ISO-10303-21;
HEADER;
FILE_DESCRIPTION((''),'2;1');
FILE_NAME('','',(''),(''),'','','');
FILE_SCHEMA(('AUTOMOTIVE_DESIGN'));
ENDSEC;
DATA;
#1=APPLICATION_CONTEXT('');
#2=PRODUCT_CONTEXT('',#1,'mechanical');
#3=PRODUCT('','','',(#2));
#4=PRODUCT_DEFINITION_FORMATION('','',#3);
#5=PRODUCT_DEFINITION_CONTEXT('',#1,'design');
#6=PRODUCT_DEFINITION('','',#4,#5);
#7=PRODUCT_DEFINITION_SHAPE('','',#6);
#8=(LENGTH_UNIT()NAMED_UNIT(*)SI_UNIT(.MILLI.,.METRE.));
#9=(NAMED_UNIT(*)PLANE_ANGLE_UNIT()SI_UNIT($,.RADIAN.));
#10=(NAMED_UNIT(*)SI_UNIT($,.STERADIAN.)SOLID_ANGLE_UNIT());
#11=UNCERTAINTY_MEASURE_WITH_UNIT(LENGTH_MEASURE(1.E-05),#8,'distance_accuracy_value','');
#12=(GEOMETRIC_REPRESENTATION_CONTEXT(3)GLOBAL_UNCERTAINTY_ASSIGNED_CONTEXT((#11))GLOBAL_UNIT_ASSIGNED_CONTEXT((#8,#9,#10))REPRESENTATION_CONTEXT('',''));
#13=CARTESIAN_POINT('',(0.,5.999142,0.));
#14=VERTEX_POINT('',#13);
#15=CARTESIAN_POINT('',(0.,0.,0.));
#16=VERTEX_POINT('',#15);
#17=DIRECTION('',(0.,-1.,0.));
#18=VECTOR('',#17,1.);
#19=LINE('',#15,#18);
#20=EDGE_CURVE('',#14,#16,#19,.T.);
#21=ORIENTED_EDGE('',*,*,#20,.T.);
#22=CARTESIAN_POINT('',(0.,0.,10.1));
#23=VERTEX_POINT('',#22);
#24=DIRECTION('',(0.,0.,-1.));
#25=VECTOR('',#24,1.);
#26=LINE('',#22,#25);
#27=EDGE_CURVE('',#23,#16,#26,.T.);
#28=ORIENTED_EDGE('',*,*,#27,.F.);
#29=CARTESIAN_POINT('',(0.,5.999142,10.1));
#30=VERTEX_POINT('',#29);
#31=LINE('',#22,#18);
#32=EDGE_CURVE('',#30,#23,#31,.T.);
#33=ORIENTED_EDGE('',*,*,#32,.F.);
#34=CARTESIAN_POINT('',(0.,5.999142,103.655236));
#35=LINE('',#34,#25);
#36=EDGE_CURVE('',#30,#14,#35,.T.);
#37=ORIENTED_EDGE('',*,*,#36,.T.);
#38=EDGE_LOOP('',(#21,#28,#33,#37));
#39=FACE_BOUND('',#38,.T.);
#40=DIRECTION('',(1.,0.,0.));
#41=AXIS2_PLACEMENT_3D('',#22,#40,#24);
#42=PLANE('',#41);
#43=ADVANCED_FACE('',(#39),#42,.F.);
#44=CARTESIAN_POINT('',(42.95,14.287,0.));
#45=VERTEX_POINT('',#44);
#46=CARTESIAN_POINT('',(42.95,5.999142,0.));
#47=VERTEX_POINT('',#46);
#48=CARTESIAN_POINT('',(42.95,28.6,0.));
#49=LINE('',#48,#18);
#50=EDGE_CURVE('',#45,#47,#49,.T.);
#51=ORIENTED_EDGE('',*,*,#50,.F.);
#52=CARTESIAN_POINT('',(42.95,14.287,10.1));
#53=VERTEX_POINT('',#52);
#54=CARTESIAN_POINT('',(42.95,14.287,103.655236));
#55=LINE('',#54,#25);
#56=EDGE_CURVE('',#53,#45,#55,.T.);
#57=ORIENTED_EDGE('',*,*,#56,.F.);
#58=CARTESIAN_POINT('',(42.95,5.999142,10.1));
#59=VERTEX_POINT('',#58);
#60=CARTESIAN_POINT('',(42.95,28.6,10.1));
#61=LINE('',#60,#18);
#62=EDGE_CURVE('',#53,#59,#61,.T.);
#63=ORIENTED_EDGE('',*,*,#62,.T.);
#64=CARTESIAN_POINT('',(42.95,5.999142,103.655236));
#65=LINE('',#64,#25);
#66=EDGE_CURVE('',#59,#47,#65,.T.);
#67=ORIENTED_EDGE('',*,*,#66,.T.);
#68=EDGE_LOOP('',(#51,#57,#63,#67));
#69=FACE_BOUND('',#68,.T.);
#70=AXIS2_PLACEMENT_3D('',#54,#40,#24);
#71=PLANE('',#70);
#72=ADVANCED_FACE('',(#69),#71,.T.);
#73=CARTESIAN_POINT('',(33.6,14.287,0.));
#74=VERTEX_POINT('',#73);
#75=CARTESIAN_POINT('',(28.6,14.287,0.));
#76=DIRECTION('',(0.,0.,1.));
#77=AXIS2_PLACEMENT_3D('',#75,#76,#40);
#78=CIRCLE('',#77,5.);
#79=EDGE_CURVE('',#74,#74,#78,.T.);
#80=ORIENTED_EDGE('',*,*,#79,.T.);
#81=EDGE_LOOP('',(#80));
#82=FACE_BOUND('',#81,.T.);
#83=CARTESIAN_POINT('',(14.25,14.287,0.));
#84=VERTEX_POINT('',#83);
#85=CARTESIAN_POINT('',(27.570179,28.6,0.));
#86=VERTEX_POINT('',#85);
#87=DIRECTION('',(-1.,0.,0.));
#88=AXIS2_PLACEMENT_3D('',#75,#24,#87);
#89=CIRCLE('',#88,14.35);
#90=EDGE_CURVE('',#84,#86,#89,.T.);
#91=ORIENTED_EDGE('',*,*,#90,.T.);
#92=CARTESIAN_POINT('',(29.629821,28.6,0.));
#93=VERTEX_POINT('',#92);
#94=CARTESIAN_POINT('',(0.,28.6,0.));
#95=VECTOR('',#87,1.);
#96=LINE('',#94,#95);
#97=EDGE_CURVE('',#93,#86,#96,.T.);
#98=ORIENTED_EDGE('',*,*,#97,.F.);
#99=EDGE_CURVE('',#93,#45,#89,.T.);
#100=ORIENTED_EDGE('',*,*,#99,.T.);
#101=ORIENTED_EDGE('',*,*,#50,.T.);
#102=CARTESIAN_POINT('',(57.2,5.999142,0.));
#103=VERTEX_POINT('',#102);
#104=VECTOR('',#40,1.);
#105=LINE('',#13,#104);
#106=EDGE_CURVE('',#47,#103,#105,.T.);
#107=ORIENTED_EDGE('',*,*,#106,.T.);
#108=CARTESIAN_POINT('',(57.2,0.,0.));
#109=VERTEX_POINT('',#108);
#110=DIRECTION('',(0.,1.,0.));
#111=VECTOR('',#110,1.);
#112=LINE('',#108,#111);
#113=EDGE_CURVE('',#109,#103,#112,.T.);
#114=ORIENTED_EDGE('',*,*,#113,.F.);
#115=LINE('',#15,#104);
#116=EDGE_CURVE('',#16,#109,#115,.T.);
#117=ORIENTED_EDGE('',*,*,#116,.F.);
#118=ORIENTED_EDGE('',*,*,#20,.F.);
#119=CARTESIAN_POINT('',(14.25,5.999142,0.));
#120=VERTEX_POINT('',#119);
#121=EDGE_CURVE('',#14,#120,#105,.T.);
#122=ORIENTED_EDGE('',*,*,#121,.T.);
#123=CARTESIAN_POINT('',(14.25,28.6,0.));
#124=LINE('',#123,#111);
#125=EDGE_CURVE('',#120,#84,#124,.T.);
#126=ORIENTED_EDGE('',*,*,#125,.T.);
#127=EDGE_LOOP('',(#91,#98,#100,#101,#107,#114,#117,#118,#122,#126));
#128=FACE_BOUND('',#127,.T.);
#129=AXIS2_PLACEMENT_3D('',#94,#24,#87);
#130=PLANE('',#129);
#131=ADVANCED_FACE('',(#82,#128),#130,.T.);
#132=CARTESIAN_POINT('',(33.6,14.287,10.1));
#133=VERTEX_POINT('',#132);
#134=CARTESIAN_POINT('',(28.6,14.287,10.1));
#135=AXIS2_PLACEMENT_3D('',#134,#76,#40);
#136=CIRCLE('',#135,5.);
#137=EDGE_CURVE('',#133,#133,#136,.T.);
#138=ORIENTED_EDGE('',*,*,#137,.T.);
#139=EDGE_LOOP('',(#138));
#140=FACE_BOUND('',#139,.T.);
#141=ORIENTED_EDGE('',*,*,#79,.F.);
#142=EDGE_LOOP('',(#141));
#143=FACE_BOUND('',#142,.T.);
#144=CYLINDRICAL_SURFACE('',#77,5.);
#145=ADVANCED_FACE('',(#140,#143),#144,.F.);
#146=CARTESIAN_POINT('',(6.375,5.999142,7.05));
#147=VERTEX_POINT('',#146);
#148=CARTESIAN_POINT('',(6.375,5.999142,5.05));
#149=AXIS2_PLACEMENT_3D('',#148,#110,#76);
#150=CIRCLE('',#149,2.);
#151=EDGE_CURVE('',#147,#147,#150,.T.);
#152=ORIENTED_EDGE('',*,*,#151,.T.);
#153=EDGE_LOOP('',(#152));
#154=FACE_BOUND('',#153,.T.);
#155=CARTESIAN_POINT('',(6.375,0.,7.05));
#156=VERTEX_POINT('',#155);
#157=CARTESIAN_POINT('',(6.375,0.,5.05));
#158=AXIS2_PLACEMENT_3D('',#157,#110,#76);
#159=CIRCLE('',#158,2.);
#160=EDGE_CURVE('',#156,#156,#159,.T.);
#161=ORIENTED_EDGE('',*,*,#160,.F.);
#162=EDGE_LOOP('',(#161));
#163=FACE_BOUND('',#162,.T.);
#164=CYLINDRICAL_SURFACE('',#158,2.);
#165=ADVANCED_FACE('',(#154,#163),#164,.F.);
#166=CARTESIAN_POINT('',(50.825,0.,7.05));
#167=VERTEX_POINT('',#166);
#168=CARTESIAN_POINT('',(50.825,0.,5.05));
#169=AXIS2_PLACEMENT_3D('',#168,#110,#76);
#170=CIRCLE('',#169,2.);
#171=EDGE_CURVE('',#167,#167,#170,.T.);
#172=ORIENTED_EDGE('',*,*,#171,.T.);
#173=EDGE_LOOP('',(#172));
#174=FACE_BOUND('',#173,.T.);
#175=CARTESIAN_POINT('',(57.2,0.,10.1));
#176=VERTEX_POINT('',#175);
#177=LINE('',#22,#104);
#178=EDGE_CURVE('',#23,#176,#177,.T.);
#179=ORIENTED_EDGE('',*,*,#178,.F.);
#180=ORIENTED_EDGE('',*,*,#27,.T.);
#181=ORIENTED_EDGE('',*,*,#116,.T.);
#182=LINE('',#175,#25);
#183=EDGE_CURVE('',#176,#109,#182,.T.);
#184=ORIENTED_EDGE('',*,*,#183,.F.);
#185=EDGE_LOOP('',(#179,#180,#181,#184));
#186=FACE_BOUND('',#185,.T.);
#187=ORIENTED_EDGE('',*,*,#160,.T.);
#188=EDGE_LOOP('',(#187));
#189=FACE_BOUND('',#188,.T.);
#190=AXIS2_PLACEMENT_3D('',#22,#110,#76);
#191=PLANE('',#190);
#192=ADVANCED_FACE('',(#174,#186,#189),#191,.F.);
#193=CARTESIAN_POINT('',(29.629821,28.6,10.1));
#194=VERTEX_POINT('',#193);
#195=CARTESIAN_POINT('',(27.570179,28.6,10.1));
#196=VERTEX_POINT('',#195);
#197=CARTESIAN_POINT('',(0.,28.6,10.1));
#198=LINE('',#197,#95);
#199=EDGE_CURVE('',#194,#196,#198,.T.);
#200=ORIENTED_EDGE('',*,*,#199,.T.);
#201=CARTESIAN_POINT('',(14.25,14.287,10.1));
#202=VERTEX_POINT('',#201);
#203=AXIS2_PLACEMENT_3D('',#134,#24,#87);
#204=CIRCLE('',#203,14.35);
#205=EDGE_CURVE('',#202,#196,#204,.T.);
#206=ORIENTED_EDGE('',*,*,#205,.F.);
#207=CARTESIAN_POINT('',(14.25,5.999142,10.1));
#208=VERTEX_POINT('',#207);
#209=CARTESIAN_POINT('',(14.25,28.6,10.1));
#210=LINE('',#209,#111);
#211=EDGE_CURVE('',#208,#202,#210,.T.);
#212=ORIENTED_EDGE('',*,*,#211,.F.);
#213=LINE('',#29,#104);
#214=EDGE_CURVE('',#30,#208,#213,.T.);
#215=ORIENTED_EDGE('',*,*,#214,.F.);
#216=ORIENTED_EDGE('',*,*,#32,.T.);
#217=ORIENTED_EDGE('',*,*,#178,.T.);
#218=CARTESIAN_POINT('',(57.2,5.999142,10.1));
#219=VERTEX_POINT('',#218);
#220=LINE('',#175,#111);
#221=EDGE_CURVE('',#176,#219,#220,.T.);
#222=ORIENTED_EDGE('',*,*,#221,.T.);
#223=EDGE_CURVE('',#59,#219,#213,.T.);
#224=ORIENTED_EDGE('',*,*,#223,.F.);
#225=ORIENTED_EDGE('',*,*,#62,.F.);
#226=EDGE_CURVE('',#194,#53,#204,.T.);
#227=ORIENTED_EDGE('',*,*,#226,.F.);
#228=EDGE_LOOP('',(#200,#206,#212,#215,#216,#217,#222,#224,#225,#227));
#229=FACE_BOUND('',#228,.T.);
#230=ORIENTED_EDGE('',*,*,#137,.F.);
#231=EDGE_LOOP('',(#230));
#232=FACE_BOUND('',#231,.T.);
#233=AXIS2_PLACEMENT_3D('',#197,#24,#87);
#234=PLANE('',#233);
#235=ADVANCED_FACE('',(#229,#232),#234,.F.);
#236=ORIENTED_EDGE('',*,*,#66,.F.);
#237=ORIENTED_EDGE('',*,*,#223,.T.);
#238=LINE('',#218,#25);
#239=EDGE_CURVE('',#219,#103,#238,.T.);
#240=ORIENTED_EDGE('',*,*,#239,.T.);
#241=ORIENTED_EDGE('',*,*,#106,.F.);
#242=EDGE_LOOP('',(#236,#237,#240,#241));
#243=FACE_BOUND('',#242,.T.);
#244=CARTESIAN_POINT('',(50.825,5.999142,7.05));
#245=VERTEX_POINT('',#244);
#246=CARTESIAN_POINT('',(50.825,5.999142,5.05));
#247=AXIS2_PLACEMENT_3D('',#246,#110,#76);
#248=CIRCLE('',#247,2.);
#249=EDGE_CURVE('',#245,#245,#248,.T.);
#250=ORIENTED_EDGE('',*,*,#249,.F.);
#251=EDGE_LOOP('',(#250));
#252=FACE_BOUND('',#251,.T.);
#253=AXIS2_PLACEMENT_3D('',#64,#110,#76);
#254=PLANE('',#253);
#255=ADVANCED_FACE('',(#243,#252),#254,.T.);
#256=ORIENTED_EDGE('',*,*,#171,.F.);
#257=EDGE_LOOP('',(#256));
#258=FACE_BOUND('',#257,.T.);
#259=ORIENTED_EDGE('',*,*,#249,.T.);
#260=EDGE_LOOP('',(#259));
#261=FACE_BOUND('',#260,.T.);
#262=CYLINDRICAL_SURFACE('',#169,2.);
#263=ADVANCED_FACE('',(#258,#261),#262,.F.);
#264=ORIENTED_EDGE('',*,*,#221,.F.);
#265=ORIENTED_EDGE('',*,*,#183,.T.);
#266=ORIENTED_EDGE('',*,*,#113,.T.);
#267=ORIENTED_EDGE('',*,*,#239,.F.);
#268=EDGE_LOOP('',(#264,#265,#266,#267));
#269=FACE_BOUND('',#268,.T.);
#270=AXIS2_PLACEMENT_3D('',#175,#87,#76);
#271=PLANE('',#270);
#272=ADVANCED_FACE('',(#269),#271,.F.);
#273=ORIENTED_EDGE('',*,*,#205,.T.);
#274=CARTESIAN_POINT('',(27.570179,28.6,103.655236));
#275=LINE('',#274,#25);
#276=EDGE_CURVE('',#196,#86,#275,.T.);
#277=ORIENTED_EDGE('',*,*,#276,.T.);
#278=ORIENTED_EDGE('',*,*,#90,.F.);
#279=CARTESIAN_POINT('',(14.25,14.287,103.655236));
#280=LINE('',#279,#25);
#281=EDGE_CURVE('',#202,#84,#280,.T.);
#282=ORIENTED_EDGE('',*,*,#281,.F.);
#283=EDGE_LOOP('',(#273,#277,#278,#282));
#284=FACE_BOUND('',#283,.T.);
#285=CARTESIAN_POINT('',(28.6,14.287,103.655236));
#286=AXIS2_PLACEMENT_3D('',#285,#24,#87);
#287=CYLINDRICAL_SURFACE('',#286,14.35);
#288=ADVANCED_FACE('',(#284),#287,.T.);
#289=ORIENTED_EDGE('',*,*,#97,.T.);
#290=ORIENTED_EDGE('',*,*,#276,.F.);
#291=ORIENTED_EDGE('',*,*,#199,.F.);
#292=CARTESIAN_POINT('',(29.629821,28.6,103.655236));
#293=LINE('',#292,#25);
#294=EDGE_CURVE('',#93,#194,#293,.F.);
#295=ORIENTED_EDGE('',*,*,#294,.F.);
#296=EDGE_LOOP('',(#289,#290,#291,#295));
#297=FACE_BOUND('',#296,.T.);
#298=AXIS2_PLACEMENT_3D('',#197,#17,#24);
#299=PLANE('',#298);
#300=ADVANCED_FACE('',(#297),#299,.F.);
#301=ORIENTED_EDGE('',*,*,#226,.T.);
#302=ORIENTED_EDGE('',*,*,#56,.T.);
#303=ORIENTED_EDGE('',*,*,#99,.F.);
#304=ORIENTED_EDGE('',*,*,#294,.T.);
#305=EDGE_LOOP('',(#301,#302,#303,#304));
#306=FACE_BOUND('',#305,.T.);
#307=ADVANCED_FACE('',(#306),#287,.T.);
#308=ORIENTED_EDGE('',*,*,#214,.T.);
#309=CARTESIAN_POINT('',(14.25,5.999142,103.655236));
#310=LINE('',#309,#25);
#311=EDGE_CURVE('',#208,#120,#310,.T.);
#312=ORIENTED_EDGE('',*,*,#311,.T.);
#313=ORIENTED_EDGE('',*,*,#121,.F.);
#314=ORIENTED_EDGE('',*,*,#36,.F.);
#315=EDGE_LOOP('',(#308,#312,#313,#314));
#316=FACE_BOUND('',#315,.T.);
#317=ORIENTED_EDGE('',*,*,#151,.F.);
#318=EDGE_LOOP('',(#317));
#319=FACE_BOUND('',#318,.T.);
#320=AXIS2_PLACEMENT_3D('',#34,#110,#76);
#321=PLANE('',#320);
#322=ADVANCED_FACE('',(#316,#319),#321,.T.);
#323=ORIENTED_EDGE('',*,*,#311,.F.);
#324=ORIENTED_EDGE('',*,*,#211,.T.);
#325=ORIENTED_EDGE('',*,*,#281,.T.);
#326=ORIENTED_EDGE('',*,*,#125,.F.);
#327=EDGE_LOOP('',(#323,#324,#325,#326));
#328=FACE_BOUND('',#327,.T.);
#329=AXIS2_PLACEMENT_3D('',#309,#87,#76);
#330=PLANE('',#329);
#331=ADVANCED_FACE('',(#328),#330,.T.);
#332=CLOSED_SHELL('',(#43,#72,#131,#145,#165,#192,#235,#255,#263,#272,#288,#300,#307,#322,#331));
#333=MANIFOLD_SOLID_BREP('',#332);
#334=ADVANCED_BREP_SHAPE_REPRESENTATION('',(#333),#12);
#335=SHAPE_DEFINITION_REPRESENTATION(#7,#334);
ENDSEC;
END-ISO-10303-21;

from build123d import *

# Parameters (mm, degrees)
SKETCH1_W               = 57.2
SKETCH1_H               = 28.6
BOSS_EXTRUDE1_DEPTH     = 10.1
SKETCH3_R               = 5
CUT_EXTRUDE2_DEPTH      = 11.1
CUT_EXTRUDE3_DEPTH      = 1
CUT_EXTRUDE3_DEPTH_BACK = 11.1
SKETCH5_R               = 2
CUT_EXTRUDE4_DEPTH      = 6.999141562


with BuildPart() as part:
    # Sketch1 → Boss-Extrude1 (new body)
    with BuildSketch(Plane.XY):
        with Locations((28.6, 14.3)):
            Rectangle(SKETCH1_W, SKETCH1_H)
    extrude(amount=BOSS_EXTRUDE1_DEPTH)

    # Sketch3 → Cut-Extrude2 (cut, through all)
    with BuildSketch(Plane.XY.offset(10.1)):
        with Locations((28.6, 14.287)):
            Circle(SKETCH3_R)
    extrude(amount=-CUT_EXTRUDE2_DEPTH, mode=Mode.SUBTRACT)

    # Sketch4 → Cut-Extrude3 (cut, two sides)
    with BuildSketch(Plane.XY.offset(10.1)) as cut_extrude3_sk:
        with BuildLine():
            Line((-133.041822115, 5.999141562), (0, 5.999141562))
            Line((0, 5.999141562), (14.25, 5.999141562))
            Line((14.25, 5.999141562), (14.25, 14.287))
            ThreePointArc((14.25, 14.287), (28.6, 28.637), (42.95, 14.287))
            Line((42.95, 14.287), (42.95, 5.999141562))
            Line((42.95, 5.999141562), (57.219085061, 5.999141562))
            Line((57.219085061, 5.999141562), (190.260907176, 5.999141562))
            Line((190.260907176, 5.999141562), (190.260907176, 272.082785792))
            Line((190.260907176, 272.082785792), (-133.041822115, 272.082785792))
            Line((-133.041822115, 272.082785792), (-133.041822115, 5.999141562))
        make_face()
    extrude(amount=CUT_EXTRUDE3_DEPTH, mode=Mode.SUBTRACT)
    extrude(cut_extrude3_sk.sketch, amount=-CUT_EXTRUDE3_DEPTH_BACK, mode=Mode.SUBTRACT)

    # Sketch5 → Cut-Extrude4 (cut, through all)
    with BuildSketch(Plane(origin=(0, 5.999141562, 0), x_dir=(-1, 0, 0), z_dir=(0, 1, 0))):
        with Locations((-6.375, 5.05)):
            Circle(SKETCH5_R)
        with Locations((-50.825, 5.05)):
            Circle(SKETCH5_R)
    extrude(amount=-CUT_EXTRUDE4_DEPTH, mode=Mode.SUBTRACT)


solid = part.part
